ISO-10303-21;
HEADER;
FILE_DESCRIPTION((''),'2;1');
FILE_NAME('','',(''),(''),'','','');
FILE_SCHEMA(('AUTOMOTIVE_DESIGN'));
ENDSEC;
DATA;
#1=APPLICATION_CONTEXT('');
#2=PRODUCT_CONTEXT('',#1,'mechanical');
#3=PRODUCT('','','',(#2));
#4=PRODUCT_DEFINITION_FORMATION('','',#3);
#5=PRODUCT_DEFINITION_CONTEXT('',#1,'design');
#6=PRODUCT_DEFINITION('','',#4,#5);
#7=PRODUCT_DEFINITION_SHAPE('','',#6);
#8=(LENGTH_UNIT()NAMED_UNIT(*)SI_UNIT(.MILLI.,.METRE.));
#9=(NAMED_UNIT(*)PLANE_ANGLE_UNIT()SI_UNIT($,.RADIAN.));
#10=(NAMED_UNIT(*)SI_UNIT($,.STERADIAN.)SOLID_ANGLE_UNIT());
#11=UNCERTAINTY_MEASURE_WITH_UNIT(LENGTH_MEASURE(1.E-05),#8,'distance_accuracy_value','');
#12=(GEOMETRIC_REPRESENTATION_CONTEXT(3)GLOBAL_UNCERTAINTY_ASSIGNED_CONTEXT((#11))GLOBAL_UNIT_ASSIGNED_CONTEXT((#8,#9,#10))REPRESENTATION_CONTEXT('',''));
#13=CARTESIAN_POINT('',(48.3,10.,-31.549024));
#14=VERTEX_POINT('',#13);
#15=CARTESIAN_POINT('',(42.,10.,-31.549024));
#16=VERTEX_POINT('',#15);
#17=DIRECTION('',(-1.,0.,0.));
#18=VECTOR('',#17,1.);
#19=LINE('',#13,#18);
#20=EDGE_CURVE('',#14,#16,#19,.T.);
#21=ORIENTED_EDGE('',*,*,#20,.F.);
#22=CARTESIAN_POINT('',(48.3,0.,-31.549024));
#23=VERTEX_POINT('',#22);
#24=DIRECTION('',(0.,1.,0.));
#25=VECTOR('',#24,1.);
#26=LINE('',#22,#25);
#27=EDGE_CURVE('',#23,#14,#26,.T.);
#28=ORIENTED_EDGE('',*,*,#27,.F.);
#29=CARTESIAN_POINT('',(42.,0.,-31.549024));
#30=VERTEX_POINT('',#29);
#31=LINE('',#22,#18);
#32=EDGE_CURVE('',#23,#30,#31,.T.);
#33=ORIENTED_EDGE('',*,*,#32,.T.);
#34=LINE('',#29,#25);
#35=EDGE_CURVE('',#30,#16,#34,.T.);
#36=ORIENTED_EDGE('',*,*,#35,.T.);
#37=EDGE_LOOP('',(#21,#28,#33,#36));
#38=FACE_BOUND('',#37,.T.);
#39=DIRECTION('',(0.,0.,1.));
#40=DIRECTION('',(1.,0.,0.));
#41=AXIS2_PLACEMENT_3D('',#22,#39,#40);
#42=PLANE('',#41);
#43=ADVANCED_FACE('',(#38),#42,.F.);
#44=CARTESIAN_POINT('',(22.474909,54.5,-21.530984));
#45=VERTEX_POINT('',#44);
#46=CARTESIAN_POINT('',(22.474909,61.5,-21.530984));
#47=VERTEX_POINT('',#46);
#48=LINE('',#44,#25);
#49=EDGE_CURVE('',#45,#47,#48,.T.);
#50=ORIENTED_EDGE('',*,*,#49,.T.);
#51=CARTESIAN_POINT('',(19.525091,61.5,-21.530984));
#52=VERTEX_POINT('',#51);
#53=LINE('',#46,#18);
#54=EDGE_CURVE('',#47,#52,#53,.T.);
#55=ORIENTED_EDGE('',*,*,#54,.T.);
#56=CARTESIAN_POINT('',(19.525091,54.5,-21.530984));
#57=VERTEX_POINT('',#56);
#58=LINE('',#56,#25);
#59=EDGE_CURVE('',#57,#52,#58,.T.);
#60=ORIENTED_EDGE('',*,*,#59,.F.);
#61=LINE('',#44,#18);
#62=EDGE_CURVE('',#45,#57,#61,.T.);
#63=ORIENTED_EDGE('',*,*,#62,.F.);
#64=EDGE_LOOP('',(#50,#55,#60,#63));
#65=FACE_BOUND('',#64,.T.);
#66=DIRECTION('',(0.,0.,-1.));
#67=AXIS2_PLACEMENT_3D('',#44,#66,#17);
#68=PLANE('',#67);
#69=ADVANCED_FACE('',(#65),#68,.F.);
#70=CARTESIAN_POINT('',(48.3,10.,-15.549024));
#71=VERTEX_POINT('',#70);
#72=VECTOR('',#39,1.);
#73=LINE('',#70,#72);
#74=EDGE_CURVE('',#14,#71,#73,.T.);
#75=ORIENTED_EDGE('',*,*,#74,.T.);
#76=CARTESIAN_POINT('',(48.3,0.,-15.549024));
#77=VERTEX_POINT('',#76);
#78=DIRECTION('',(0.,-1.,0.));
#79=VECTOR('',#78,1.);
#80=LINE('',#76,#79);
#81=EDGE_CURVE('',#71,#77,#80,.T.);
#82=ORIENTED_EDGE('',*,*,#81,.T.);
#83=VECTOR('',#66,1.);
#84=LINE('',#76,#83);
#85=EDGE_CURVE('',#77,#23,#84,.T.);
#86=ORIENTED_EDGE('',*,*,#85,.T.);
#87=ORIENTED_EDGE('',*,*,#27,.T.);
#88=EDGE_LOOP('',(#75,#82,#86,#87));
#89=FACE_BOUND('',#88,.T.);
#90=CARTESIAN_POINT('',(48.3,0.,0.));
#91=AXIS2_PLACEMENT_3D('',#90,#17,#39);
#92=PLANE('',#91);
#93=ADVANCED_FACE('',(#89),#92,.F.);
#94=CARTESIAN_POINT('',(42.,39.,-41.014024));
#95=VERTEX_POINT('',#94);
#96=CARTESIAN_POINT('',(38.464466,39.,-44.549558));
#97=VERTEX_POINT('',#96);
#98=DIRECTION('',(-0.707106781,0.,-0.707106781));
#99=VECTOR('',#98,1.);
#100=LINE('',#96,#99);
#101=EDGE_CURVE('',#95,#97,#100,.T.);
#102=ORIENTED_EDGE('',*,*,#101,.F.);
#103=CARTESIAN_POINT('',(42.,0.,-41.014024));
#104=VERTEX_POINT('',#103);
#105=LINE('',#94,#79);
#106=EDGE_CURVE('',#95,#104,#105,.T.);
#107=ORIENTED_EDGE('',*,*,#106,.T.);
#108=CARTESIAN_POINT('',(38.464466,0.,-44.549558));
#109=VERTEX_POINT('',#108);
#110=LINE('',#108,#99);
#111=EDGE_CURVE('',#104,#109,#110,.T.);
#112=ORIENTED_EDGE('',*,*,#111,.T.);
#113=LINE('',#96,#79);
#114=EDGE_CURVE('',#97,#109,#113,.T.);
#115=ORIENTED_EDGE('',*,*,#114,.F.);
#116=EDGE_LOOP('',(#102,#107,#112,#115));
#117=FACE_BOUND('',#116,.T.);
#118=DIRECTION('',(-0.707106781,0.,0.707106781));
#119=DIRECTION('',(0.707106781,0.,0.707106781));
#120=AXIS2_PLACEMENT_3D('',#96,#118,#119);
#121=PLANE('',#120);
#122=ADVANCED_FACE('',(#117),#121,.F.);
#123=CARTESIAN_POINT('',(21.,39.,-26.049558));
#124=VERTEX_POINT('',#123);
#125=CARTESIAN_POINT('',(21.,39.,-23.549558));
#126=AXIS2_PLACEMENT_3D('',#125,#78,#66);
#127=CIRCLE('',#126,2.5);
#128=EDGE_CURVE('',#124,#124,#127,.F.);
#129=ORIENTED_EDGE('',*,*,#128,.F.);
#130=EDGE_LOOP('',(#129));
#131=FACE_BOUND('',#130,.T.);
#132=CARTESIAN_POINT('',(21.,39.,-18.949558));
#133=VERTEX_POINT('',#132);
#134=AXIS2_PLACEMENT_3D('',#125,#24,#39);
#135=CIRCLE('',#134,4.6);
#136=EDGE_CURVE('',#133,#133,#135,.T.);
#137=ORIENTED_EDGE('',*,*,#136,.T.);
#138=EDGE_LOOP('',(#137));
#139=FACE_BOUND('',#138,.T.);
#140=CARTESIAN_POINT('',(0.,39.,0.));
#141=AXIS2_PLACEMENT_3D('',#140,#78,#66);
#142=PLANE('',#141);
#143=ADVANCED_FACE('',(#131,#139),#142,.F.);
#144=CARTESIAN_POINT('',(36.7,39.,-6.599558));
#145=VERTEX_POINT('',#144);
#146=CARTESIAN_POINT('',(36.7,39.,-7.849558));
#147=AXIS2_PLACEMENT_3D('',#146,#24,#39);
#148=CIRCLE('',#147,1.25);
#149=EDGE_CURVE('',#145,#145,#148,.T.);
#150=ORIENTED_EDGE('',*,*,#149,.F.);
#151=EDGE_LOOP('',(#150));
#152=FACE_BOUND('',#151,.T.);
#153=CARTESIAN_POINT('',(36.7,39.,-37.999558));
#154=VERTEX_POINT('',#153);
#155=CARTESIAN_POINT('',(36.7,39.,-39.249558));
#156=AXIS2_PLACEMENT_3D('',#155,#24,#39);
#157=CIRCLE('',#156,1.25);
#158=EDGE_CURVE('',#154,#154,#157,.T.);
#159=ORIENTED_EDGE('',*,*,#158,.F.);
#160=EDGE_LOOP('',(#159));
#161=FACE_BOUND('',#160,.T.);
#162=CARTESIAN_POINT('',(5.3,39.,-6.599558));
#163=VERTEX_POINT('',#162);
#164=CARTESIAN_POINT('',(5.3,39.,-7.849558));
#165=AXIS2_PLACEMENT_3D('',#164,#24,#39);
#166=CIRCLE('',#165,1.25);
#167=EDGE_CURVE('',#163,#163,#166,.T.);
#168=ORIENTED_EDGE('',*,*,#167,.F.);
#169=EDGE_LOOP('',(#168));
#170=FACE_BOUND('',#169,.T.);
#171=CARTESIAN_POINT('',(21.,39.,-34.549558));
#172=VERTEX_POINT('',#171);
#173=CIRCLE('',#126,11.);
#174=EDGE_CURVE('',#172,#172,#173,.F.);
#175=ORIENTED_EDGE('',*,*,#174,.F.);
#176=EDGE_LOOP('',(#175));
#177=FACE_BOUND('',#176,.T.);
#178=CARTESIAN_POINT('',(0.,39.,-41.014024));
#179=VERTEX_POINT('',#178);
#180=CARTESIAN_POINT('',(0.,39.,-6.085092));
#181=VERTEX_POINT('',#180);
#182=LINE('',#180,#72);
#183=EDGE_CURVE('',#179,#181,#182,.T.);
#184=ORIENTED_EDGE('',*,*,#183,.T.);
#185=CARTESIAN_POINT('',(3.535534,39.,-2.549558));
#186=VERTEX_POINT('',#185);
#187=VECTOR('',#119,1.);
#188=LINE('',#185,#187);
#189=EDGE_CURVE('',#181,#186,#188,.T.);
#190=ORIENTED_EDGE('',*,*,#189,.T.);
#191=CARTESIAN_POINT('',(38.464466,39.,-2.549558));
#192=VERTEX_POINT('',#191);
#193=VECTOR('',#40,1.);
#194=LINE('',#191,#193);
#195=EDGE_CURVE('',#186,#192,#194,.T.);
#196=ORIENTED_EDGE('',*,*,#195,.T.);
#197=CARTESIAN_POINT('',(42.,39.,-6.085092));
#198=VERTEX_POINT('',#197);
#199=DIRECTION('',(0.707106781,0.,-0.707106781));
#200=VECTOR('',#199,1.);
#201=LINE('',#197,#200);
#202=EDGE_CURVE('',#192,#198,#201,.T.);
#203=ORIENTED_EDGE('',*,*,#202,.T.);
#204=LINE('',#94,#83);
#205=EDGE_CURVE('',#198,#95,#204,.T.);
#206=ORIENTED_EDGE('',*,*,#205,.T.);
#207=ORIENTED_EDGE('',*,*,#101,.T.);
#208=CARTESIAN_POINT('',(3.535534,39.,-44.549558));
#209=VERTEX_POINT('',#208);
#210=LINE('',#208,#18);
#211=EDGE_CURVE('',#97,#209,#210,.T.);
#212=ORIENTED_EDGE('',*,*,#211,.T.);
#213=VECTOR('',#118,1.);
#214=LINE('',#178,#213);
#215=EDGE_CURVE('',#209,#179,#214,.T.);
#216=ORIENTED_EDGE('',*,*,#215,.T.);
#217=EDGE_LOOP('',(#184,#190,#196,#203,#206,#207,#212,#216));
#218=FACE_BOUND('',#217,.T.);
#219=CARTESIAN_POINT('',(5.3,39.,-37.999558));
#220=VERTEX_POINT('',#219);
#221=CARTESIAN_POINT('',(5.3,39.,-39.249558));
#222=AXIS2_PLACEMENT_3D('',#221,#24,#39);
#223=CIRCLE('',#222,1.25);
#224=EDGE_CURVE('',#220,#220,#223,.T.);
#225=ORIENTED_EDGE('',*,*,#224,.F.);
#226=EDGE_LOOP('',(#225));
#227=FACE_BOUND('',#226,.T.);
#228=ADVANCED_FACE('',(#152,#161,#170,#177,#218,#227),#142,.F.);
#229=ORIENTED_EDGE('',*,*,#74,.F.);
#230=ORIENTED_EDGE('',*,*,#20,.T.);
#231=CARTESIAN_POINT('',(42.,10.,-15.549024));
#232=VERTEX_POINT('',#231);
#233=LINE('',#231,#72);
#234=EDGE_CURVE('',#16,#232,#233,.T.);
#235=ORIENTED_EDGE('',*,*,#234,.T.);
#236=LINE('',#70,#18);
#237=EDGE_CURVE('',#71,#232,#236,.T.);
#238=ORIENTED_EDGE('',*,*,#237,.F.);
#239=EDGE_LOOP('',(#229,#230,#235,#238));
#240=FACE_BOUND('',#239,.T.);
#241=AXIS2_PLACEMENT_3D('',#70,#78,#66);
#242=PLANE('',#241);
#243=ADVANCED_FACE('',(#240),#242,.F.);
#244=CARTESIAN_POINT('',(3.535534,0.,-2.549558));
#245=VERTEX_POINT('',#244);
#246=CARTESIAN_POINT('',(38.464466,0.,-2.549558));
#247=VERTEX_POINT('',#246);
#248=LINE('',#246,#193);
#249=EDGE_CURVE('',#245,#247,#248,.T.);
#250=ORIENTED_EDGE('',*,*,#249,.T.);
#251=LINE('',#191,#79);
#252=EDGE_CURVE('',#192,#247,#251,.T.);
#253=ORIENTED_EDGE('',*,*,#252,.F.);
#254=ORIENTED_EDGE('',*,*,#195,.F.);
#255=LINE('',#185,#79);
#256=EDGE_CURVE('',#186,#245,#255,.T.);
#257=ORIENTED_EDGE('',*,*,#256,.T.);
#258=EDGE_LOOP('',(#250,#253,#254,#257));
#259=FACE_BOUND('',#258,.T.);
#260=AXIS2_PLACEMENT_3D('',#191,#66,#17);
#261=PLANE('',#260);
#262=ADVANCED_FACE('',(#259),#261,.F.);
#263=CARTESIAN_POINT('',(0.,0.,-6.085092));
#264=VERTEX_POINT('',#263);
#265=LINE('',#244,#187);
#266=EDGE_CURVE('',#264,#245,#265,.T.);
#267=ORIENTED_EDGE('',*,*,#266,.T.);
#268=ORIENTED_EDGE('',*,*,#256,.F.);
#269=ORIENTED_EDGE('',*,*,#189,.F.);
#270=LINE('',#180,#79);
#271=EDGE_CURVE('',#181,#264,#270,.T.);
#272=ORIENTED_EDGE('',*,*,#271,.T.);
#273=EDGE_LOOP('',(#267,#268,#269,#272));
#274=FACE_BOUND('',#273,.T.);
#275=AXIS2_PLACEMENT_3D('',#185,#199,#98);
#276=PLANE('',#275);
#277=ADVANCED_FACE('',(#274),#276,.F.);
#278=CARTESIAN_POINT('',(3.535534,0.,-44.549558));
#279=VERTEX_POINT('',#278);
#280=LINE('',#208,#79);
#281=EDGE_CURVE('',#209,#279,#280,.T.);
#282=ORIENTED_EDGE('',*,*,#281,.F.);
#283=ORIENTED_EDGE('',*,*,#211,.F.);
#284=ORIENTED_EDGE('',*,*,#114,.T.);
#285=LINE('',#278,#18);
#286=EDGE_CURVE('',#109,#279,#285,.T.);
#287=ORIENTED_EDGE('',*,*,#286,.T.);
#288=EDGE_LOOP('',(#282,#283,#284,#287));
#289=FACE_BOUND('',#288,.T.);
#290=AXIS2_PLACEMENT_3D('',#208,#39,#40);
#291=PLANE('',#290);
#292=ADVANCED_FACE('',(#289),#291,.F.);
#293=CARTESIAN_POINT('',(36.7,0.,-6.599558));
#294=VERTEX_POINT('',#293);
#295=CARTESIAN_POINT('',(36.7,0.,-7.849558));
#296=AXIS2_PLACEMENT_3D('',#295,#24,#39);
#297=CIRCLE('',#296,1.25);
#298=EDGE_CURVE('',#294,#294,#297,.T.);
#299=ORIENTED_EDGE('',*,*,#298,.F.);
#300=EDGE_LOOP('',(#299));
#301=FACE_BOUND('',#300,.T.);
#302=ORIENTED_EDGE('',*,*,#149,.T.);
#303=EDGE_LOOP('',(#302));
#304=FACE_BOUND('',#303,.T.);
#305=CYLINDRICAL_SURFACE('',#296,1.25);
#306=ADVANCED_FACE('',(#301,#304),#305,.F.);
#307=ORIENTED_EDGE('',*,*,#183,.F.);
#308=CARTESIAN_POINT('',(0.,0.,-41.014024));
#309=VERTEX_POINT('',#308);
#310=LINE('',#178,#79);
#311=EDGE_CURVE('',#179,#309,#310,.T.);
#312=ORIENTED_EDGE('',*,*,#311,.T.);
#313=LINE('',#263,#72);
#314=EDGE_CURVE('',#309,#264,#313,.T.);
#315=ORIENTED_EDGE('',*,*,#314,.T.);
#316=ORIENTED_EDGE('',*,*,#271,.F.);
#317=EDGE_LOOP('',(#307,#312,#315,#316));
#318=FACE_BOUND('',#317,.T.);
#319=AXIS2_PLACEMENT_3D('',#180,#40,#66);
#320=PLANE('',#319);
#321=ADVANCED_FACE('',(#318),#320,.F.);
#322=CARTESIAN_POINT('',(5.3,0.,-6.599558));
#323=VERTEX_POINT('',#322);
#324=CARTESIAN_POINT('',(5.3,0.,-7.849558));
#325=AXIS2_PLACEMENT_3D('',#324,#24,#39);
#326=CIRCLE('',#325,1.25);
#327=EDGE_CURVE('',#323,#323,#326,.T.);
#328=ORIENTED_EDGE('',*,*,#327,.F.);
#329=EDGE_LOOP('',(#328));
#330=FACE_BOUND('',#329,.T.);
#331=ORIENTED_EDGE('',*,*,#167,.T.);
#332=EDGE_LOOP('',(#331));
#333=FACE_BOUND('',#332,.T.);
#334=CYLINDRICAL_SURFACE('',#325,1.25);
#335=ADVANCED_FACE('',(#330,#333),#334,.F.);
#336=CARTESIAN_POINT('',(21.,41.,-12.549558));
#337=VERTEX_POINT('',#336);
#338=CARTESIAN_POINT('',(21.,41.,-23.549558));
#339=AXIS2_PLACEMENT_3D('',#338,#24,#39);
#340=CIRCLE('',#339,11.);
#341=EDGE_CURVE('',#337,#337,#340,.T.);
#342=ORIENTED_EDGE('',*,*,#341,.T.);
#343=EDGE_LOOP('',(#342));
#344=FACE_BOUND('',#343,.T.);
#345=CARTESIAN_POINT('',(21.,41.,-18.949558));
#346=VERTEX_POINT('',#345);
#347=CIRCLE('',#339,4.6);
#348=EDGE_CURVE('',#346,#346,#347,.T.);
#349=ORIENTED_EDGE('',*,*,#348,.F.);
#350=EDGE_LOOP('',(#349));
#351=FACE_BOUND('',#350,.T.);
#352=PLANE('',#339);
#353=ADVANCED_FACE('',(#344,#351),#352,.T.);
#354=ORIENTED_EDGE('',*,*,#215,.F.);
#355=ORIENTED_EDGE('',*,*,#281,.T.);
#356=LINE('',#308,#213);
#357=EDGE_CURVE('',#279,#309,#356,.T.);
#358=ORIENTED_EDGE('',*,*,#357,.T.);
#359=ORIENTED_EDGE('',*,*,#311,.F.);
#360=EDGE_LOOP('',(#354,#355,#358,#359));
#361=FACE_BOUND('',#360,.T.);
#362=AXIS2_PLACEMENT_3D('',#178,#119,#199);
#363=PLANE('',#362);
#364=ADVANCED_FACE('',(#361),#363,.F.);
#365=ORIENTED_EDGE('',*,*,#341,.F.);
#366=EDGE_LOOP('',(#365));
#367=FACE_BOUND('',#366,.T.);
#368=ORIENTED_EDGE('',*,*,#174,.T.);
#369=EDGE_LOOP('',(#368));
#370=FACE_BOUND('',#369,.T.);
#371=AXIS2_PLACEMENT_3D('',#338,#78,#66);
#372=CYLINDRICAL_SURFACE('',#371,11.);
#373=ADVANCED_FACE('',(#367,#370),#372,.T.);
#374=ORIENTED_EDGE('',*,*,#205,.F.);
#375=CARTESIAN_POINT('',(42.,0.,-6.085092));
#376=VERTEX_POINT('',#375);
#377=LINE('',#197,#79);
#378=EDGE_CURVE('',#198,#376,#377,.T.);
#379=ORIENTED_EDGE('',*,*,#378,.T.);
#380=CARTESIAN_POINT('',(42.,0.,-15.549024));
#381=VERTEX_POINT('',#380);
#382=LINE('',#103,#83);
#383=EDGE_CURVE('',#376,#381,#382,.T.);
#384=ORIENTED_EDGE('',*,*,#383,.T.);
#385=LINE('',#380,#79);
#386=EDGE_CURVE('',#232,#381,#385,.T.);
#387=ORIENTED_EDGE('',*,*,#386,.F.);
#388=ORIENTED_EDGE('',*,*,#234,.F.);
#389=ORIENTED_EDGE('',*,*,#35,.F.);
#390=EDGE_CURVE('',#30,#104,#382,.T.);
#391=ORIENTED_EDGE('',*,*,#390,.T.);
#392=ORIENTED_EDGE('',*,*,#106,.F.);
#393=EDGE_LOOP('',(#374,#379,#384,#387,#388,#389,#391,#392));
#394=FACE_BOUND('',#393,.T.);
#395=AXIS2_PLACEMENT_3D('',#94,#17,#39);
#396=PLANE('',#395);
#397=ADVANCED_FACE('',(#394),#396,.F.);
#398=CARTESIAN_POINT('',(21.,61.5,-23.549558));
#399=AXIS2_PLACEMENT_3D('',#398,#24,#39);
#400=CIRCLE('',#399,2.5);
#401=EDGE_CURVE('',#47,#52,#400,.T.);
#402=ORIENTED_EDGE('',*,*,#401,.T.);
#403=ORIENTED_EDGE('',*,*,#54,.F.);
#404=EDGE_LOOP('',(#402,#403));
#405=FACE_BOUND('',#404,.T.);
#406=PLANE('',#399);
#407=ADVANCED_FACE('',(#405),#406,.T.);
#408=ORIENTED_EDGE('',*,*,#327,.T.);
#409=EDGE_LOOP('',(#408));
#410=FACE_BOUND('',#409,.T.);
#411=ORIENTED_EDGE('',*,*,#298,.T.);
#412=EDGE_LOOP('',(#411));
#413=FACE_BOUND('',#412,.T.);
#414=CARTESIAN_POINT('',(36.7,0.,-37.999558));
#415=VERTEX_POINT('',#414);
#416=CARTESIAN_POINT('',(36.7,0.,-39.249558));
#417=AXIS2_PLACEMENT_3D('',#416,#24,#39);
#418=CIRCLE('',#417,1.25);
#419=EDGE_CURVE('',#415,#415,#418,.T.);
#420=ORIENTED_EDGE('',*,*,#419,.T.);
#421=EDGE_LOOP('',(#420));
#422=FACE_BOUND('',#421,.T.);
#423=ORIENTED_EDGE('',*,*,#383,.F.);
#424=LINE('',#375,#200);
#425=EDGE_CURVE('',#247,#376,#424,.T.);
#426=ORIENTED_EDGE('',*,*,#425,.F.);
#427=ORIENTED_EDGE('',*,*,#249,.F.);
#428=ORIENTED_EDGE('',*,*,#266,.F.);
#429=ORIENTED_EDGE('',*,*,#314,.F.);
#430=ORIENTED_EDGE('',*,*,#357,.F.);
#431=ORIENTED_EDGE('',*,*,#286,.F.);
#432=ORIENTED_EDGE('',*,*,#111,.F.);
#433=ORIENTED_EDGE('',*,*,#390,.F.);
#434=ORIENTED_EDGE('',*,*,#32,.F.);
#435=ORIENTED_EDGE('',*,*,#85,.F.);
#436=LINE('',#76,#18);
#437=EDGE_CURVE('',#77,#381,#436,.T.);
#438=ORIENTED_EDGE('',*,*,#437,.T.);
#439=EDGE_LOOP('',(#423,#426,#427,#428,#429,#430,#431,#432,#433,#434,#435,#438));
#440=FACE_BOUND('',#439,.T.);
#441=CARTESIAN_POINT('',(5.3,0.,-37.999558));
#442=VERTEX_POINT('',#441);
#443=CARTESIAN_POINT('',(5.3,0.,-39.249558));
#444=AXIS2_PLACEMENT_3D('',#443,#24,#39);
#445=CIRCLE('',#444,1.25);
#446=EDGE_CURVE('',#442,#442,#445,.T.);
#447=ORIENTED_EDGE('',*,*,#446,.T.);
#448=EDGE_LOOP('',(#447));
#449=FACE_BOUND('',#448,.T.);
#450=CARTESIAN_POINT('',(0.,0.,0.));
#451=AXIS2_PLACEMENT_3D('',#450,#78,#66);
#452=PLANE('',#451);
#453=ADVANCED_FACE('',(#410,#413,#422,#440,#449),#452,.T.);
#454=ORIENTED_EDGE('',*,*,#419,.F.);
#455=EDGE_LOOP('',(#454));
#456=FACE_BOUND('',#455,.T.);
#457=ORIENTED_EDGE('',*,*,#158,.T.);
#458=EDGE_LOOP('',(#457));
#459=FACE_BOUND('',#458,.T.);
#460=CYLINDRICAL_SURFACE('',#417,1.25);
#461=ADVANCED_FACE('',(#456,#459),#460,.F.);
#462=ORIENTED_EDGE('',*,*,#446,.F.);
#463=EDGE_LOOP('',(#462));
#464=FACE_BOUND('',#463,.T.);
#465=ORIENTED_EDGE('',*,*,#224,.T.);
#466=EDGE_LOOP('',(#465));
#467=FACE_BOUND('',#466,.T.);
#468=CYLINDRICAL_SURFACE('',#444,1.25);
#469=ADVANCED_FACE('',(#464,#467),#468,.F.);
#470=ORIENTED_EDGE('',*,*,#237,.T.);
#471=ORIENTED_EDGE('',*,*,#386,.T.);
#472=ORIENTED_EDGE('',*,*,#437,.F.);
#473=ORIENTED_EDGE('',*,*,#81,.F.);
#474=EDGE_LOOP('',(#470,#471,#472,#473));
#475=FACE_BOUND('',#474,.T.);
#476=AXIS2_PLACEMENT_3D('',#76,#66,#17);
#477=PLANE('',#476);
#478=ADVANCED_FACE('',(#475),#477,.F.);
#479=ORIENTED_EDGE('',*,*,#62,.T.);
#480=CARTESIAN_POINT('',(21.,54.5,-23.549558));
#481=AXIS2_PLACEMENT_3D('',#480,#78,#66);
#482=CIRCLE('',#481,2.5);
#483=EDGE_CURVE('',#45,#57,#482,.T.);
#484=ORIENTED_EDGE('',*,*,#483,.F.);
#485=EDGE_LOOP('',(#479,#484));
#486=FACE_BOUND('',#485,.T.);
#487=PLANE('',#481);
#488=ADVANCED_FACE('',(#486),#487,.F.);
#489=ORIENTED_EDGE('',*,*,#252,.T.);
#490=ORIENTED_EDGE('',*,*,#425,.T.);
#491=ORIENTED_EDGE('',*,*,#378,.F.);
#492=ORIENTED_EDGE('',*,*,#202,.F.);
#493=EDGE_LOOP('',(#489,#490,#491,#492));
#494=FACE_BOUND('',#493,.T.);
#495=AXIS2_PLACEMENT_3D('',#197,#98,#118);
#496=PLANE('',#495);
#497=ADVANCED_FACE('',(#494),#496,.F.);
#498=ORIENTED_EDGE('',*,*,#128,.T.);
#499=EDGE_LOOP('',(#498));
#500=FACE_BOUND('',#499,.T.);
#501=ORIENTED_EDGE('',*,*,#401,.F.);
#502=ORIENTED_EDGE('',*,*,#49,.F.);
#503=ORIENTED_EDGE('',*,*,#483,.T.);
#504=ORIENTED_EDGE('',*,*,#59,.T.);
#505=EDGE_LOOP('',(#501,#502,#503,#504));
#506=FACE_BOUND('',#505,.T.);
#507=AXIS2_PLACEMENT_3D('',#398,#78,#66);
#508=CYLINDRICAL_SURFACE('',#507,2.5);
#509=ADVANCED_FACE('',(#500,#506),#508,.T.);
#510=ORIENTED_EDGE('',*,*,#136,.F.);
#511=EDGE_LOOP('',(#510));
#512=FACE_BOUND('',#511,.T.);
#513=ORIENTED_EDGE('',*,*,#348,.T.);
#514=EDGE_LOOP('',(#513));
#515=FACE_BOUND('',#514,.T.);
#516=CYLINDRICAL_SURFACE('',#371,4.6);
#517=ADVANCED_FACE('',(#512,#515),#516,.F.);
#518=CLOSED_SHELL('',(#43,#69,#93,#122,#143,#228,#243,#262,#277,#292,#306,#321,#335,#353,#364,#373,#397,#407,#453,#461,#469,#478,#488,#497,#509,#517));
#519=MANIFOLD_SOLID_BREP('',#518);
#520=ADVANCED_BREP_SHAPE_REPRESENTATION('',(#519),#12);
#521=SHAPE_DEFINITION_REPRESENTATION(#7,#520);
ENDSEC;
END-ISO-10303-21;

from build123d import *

# Parameters (mm, degrees)
BOSS_EXTRU_1_DEPTH      = 39
ESQUISSE2_R             = 1.25
ENL_V_MAT_EXTRU_1_DEPTH = 39
ESQUISSE3_R             = 11
ESQUISSE3_R_2           = 4.6
BOSS_EXTRU_2_DEPTH      = 2
ESQUISSE4_R             = 2.5
BOSS_EXTRU_3_DEPTH      = 22.5
ENL_V_START             = -7
ENL_V_MAT_EXTRU_4_DEPTH = 7
ESQUISSE9_W             = 16
ESQUISSE9_H             = 10
BOSS_EXTRU_4_DEPTH      = 6.3


with BuildPart() as part:
    # Esquisse1 → Boss.-Extru.1 (new body)
    with BuildSketch(Plane(origin=(0, 0, 0), x_dir=(1, 0, 0), z_dir=(0, 1, 0))):
        Polygon((3.535533906, 2.549558154), (0, 6.08509206), (0, 41.014024248), (3.535533906, 44.549558154), (38.464466094, 44.549558154), (42, 41.014024248), (42, 6.08509206), (38.464466094, 2.549558154), align=None)
    extrude(amount=BOSS_EXTRU_1_DEPTH)

    # Esquisse2 → Enlèv. mat.-Extru.1 (cut)
    with BuildSketch(Plane(origin=(0, 39, 0), x_dir=(1, 0, 0), z_dir=(0, 1, 0))):
        with Locations(Location((5.3, 39.249558154, 0), (0, 0, 270))):
            Circle(ESQUISSE2_R)
        with Locations(Location((36.7, 39.249558154, 0), (0, 0, 270))):
            Circle(ESQUISSE2_R)
        with Locations(Location((36.7, 7.849558154, 0), (0, 0, 270))):
            Circle(ESQUISSE2_R)
        with Locations(Location((5.3, 7.849558154, 0), (0, 0, 270))):
            Circle(ESQUISSE2_R)
    extrude(amount=-ENL_V_MAT_EXTRU_1_DEPTH, mode=Mode.SUBTRACT)

    # Esquisse3 → Boss.-Extru.2 (add)
    with BuildSketch(Plane(origin=(0, 39, 0), x_dir=(1, 0, 0), z_dir=(0, 1, 0))):
        with Locations(Location((21, 23.549558154, 0), (0, 0, 90))):
            Circle(ESQUISSE3_R)
        with Locations(Location((21, 23.549558154, 0), (0, 0, 270))):
            Circle(ESQUISSE3_R_2, mode=Mode.SUBTRACT)
    extrude(amount=BOSS_EXTRU_2_DEPTH)

    # Esquisse4 → Boss.-Extru.3 (add)
    with BuildSketch(Plane(origin=(0, 39, 0), x_dir=(1, 0, 0), z_dir=(0, 1, 0))):
        with Locations(Location((21, 23.549558154, 0), (0, 0, 90))):
            Circle(ESQUISSE4_R)
    extrude(amount=BOSS_EXTRU_3_DEPTH)

    # Esquisse8 → Enlèv. mat.-Extru.4 (cut)
    with BuildSketch(Plane(origin=(0, 61.5, 0), x_dir=(1, 0, 0), z_dir=(0, 1, 0)).offset(ENL_V_START)):
        with BuildLine():
            Line((22.47490916, 21.530983664), (19.52509084, 21.530983664))
            ThreePointArc((19.52509084, 21.530983664), (21, 21.049558154), (22.47490916, 21.530983664))
        make_face()
    extrude(amount=ENL_V_MAT_EXTRU_4_DEPTH, mode=Mode.SUBTRACT)

    # Esquisse9 → Boss.-Extru.4 (add)
    with BuildSketch(Plane(origin=(42, 0, 0), x_dir=(0, 0, -1), z_dir=(1, 0, 0))):
        with Locations((23.549024248, 5)):
            Rectangle(ESQUISSE9_W, ESQUISSE9_H)
    extrude(amount=BOSS_EXTRU_4_DEPTH)


solid = part.part
